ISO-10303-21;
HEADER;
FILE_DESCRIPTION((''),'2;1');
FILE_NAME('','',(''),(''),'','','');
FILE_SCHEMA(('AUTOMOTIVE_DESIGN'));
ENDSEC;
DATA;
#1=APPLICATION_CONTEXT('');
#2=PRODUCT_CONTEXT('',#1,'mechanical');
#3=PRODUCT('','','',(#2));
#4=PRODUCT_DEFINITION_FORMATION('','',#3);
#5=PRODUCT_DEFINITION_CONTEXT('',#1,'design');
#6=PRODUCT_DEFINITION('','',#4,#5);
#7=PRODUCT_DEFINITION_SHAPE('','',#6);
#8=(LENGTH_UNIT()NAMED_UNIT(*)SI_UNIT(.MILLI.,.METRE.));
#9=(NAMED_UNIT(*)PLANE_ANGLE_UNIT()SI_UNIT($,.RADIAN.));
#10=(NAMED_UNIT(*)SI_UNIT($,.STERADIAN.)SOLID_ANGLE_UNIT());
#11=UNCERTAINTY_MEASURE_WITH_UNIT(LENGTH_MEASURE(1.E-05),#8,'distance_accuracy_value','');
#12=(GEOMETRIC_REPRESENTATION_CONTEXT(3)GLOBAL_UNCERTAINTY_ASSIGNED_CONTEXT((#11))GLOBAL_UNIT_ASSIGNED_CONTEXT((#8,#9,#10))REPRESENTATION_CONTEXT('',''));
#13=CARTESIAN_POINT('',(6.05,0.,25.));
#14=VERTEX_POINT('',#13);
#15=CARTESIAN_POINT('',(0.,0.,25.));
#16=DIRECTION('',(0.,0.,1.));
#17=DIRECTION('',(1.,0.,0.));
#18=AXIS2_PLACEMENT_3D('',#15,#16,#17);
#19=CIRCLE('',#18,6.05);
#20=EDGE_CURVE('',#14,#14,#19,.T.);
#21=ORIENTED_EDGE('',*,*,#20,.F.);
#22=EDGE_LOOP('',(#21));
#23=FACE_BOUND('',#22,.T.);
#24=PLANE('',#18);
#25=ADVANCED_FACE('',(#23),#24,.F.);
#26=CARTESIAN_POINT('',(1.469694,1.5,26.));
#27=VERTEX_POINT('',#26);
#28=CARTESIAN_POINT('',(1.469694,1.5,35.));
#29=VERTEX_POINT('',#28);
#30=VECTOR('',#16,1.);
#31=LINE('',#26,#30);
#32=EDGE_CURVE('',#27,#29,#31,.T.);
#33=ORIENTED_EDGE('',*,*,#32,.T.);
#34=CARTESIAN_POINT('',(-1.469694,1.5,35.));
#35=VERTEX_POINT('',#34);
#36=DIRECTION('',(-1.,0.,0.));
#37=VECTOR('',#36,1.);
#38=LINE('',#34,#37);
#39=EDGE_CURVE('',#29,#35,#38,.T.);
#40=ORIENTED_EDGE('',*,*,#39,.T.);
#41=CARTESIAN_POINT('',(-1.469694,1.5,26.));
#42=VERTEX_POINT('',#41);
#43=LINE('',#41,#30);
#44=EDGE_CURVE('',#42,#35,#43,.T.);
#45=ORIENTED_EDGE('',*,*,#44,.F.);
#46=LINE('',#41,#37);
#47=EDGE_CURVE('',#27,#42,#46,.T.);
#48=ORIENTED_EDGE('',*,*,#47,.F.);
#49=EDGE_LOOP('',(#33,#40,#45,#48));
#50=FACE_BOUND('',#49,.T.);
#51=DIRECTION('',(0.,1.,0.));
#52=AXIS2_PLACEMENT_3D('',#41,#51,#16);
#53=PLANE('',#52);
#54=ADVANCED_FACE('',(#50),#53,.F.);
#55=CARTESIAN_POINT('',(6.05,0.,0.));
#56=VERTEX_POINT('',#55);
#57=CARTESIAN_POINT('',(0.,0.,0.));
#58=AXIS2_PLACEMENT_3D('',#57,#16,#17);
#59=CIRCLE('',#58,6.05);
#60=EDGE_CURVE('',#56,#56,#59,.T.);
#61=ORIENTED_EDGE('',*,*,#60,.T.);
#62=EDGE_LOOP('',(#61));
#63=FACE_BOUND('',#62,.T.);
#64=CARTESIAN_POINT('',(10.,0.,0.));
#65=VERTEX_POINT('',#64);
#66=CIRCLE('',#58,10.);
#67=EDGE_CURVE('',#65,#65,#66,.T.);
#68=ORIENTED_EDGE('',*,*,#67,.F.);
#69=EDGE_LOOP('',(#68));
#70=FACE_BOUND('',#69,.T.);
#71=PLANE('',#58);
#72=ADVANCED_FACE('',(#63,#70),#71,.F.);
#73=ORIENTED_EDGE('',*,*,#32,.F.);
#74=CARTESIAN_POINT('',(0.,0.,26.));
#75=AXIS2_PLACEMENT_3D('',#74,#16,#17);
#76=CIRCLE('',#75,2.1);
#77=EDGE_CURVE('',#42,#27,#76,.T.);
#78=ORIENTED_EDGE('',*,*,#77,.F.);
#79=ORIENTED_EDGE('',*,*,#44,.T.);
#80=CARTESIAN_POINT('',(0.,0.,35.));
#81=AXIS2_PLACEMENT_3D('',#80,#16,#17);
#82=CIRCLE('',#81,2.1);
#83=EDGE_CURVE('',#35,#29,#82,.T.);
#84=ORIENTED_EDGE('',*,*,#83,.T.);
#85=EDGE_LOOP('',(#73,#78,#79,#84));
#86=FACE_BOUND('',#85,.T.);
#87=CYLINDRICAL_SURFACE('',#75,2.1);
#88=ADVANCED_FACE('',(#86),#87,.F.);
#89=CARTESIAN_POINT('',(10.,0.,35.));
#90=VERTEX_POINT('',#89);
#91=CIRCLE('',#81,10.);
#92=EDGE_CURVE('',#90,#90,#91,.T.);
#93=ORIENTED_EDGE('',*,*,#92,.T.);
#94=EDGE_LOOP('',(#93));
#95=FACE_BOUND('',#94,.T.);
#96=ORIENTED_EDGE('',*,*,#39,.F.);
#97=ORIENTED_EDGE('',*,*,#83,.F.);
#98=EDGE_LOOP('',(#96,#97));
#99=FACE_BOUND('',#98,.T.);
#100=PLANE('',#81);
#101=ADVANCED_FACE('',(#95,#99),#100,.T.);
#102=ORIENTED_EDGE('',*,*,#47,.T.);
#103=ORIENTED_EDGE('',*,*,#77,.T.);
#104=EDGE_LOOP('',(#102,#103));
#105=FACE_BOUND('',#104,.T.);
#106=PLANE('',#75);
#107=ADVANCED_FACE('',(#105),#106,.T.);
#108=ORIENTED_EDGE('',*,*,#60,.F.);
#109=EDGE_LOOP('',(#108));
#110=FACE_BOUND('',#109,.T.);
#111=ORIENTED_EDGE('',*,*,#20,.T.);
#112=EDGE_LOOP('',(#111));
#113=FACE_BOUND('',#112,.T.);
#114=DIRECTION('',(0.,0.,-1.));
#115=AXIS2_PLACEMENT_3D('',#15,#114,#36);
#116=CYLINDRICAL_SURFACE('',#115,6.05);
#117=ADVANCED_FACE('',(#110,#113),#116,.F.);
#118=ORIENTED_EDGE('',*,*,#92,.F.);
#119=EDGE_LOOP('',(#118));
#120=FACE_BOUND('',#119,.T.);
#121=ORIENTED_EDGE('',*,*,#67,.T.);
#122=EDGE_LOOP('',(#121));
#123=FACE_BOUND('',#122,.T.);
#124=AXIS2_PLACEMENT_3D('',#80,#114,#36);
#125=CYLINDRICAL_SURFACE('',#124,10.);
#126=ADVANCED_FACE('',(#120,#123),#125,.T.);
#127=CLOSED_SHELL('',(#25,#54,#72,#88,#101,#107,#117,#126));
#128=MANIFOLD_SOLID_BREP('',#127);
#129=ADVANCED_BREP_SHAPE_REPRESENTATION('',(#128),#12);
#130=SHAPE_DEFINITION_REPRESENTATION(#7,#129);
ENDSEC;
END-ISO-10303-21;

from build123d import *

# Parameters (mm, degrees)
ESQUISSE1_R             = 10
BOSS_EXTRU_1_DEPTH      = 35
ESQUISSE1_3_R           = 6.05
ENL_V_MAT_EXTRU_1_DEPTH = 25
ENL_V_MAT_EXTRU_2_DEPTH = 9


with BuildPart() as part:
    # Esquisse1 → Boss.-Extru.1 (new body)
    with BuildSketch(Plane.XY):
        Circle(ESQUISSE1_R)
    extrude(amount=BOSS_EXTRU_1_DEPTH)

    # Esquisse1<3> → Enlèv. mat.-Extru.1 (cut)
    with BuildSketch(Plane.XY):
        Circle(ESQUISSE1_3_R)
    extrude(amount=ENL_V_MAT_EXTRU_1_DEPTH, mode=Mode.SUBTRACT)

    # Esquisse2 → Enlèv. mat.-Extru.2 (cut)
    with BuildSketch(Plane.XY.offset(35)):
        with BuildLine():
            Line((-1.469693846, 1.5), (1.469693846, 1.5))
            ThreePointArc((1.469693846, 1.5), (0, -2.1), (-1.469693846, 1.5))
        make_face()
    extrude(amount=-ENL_V_MAT_EXTRU_2_DEPTH, mode=Mode.SUBTRACT)


solid = part.part
